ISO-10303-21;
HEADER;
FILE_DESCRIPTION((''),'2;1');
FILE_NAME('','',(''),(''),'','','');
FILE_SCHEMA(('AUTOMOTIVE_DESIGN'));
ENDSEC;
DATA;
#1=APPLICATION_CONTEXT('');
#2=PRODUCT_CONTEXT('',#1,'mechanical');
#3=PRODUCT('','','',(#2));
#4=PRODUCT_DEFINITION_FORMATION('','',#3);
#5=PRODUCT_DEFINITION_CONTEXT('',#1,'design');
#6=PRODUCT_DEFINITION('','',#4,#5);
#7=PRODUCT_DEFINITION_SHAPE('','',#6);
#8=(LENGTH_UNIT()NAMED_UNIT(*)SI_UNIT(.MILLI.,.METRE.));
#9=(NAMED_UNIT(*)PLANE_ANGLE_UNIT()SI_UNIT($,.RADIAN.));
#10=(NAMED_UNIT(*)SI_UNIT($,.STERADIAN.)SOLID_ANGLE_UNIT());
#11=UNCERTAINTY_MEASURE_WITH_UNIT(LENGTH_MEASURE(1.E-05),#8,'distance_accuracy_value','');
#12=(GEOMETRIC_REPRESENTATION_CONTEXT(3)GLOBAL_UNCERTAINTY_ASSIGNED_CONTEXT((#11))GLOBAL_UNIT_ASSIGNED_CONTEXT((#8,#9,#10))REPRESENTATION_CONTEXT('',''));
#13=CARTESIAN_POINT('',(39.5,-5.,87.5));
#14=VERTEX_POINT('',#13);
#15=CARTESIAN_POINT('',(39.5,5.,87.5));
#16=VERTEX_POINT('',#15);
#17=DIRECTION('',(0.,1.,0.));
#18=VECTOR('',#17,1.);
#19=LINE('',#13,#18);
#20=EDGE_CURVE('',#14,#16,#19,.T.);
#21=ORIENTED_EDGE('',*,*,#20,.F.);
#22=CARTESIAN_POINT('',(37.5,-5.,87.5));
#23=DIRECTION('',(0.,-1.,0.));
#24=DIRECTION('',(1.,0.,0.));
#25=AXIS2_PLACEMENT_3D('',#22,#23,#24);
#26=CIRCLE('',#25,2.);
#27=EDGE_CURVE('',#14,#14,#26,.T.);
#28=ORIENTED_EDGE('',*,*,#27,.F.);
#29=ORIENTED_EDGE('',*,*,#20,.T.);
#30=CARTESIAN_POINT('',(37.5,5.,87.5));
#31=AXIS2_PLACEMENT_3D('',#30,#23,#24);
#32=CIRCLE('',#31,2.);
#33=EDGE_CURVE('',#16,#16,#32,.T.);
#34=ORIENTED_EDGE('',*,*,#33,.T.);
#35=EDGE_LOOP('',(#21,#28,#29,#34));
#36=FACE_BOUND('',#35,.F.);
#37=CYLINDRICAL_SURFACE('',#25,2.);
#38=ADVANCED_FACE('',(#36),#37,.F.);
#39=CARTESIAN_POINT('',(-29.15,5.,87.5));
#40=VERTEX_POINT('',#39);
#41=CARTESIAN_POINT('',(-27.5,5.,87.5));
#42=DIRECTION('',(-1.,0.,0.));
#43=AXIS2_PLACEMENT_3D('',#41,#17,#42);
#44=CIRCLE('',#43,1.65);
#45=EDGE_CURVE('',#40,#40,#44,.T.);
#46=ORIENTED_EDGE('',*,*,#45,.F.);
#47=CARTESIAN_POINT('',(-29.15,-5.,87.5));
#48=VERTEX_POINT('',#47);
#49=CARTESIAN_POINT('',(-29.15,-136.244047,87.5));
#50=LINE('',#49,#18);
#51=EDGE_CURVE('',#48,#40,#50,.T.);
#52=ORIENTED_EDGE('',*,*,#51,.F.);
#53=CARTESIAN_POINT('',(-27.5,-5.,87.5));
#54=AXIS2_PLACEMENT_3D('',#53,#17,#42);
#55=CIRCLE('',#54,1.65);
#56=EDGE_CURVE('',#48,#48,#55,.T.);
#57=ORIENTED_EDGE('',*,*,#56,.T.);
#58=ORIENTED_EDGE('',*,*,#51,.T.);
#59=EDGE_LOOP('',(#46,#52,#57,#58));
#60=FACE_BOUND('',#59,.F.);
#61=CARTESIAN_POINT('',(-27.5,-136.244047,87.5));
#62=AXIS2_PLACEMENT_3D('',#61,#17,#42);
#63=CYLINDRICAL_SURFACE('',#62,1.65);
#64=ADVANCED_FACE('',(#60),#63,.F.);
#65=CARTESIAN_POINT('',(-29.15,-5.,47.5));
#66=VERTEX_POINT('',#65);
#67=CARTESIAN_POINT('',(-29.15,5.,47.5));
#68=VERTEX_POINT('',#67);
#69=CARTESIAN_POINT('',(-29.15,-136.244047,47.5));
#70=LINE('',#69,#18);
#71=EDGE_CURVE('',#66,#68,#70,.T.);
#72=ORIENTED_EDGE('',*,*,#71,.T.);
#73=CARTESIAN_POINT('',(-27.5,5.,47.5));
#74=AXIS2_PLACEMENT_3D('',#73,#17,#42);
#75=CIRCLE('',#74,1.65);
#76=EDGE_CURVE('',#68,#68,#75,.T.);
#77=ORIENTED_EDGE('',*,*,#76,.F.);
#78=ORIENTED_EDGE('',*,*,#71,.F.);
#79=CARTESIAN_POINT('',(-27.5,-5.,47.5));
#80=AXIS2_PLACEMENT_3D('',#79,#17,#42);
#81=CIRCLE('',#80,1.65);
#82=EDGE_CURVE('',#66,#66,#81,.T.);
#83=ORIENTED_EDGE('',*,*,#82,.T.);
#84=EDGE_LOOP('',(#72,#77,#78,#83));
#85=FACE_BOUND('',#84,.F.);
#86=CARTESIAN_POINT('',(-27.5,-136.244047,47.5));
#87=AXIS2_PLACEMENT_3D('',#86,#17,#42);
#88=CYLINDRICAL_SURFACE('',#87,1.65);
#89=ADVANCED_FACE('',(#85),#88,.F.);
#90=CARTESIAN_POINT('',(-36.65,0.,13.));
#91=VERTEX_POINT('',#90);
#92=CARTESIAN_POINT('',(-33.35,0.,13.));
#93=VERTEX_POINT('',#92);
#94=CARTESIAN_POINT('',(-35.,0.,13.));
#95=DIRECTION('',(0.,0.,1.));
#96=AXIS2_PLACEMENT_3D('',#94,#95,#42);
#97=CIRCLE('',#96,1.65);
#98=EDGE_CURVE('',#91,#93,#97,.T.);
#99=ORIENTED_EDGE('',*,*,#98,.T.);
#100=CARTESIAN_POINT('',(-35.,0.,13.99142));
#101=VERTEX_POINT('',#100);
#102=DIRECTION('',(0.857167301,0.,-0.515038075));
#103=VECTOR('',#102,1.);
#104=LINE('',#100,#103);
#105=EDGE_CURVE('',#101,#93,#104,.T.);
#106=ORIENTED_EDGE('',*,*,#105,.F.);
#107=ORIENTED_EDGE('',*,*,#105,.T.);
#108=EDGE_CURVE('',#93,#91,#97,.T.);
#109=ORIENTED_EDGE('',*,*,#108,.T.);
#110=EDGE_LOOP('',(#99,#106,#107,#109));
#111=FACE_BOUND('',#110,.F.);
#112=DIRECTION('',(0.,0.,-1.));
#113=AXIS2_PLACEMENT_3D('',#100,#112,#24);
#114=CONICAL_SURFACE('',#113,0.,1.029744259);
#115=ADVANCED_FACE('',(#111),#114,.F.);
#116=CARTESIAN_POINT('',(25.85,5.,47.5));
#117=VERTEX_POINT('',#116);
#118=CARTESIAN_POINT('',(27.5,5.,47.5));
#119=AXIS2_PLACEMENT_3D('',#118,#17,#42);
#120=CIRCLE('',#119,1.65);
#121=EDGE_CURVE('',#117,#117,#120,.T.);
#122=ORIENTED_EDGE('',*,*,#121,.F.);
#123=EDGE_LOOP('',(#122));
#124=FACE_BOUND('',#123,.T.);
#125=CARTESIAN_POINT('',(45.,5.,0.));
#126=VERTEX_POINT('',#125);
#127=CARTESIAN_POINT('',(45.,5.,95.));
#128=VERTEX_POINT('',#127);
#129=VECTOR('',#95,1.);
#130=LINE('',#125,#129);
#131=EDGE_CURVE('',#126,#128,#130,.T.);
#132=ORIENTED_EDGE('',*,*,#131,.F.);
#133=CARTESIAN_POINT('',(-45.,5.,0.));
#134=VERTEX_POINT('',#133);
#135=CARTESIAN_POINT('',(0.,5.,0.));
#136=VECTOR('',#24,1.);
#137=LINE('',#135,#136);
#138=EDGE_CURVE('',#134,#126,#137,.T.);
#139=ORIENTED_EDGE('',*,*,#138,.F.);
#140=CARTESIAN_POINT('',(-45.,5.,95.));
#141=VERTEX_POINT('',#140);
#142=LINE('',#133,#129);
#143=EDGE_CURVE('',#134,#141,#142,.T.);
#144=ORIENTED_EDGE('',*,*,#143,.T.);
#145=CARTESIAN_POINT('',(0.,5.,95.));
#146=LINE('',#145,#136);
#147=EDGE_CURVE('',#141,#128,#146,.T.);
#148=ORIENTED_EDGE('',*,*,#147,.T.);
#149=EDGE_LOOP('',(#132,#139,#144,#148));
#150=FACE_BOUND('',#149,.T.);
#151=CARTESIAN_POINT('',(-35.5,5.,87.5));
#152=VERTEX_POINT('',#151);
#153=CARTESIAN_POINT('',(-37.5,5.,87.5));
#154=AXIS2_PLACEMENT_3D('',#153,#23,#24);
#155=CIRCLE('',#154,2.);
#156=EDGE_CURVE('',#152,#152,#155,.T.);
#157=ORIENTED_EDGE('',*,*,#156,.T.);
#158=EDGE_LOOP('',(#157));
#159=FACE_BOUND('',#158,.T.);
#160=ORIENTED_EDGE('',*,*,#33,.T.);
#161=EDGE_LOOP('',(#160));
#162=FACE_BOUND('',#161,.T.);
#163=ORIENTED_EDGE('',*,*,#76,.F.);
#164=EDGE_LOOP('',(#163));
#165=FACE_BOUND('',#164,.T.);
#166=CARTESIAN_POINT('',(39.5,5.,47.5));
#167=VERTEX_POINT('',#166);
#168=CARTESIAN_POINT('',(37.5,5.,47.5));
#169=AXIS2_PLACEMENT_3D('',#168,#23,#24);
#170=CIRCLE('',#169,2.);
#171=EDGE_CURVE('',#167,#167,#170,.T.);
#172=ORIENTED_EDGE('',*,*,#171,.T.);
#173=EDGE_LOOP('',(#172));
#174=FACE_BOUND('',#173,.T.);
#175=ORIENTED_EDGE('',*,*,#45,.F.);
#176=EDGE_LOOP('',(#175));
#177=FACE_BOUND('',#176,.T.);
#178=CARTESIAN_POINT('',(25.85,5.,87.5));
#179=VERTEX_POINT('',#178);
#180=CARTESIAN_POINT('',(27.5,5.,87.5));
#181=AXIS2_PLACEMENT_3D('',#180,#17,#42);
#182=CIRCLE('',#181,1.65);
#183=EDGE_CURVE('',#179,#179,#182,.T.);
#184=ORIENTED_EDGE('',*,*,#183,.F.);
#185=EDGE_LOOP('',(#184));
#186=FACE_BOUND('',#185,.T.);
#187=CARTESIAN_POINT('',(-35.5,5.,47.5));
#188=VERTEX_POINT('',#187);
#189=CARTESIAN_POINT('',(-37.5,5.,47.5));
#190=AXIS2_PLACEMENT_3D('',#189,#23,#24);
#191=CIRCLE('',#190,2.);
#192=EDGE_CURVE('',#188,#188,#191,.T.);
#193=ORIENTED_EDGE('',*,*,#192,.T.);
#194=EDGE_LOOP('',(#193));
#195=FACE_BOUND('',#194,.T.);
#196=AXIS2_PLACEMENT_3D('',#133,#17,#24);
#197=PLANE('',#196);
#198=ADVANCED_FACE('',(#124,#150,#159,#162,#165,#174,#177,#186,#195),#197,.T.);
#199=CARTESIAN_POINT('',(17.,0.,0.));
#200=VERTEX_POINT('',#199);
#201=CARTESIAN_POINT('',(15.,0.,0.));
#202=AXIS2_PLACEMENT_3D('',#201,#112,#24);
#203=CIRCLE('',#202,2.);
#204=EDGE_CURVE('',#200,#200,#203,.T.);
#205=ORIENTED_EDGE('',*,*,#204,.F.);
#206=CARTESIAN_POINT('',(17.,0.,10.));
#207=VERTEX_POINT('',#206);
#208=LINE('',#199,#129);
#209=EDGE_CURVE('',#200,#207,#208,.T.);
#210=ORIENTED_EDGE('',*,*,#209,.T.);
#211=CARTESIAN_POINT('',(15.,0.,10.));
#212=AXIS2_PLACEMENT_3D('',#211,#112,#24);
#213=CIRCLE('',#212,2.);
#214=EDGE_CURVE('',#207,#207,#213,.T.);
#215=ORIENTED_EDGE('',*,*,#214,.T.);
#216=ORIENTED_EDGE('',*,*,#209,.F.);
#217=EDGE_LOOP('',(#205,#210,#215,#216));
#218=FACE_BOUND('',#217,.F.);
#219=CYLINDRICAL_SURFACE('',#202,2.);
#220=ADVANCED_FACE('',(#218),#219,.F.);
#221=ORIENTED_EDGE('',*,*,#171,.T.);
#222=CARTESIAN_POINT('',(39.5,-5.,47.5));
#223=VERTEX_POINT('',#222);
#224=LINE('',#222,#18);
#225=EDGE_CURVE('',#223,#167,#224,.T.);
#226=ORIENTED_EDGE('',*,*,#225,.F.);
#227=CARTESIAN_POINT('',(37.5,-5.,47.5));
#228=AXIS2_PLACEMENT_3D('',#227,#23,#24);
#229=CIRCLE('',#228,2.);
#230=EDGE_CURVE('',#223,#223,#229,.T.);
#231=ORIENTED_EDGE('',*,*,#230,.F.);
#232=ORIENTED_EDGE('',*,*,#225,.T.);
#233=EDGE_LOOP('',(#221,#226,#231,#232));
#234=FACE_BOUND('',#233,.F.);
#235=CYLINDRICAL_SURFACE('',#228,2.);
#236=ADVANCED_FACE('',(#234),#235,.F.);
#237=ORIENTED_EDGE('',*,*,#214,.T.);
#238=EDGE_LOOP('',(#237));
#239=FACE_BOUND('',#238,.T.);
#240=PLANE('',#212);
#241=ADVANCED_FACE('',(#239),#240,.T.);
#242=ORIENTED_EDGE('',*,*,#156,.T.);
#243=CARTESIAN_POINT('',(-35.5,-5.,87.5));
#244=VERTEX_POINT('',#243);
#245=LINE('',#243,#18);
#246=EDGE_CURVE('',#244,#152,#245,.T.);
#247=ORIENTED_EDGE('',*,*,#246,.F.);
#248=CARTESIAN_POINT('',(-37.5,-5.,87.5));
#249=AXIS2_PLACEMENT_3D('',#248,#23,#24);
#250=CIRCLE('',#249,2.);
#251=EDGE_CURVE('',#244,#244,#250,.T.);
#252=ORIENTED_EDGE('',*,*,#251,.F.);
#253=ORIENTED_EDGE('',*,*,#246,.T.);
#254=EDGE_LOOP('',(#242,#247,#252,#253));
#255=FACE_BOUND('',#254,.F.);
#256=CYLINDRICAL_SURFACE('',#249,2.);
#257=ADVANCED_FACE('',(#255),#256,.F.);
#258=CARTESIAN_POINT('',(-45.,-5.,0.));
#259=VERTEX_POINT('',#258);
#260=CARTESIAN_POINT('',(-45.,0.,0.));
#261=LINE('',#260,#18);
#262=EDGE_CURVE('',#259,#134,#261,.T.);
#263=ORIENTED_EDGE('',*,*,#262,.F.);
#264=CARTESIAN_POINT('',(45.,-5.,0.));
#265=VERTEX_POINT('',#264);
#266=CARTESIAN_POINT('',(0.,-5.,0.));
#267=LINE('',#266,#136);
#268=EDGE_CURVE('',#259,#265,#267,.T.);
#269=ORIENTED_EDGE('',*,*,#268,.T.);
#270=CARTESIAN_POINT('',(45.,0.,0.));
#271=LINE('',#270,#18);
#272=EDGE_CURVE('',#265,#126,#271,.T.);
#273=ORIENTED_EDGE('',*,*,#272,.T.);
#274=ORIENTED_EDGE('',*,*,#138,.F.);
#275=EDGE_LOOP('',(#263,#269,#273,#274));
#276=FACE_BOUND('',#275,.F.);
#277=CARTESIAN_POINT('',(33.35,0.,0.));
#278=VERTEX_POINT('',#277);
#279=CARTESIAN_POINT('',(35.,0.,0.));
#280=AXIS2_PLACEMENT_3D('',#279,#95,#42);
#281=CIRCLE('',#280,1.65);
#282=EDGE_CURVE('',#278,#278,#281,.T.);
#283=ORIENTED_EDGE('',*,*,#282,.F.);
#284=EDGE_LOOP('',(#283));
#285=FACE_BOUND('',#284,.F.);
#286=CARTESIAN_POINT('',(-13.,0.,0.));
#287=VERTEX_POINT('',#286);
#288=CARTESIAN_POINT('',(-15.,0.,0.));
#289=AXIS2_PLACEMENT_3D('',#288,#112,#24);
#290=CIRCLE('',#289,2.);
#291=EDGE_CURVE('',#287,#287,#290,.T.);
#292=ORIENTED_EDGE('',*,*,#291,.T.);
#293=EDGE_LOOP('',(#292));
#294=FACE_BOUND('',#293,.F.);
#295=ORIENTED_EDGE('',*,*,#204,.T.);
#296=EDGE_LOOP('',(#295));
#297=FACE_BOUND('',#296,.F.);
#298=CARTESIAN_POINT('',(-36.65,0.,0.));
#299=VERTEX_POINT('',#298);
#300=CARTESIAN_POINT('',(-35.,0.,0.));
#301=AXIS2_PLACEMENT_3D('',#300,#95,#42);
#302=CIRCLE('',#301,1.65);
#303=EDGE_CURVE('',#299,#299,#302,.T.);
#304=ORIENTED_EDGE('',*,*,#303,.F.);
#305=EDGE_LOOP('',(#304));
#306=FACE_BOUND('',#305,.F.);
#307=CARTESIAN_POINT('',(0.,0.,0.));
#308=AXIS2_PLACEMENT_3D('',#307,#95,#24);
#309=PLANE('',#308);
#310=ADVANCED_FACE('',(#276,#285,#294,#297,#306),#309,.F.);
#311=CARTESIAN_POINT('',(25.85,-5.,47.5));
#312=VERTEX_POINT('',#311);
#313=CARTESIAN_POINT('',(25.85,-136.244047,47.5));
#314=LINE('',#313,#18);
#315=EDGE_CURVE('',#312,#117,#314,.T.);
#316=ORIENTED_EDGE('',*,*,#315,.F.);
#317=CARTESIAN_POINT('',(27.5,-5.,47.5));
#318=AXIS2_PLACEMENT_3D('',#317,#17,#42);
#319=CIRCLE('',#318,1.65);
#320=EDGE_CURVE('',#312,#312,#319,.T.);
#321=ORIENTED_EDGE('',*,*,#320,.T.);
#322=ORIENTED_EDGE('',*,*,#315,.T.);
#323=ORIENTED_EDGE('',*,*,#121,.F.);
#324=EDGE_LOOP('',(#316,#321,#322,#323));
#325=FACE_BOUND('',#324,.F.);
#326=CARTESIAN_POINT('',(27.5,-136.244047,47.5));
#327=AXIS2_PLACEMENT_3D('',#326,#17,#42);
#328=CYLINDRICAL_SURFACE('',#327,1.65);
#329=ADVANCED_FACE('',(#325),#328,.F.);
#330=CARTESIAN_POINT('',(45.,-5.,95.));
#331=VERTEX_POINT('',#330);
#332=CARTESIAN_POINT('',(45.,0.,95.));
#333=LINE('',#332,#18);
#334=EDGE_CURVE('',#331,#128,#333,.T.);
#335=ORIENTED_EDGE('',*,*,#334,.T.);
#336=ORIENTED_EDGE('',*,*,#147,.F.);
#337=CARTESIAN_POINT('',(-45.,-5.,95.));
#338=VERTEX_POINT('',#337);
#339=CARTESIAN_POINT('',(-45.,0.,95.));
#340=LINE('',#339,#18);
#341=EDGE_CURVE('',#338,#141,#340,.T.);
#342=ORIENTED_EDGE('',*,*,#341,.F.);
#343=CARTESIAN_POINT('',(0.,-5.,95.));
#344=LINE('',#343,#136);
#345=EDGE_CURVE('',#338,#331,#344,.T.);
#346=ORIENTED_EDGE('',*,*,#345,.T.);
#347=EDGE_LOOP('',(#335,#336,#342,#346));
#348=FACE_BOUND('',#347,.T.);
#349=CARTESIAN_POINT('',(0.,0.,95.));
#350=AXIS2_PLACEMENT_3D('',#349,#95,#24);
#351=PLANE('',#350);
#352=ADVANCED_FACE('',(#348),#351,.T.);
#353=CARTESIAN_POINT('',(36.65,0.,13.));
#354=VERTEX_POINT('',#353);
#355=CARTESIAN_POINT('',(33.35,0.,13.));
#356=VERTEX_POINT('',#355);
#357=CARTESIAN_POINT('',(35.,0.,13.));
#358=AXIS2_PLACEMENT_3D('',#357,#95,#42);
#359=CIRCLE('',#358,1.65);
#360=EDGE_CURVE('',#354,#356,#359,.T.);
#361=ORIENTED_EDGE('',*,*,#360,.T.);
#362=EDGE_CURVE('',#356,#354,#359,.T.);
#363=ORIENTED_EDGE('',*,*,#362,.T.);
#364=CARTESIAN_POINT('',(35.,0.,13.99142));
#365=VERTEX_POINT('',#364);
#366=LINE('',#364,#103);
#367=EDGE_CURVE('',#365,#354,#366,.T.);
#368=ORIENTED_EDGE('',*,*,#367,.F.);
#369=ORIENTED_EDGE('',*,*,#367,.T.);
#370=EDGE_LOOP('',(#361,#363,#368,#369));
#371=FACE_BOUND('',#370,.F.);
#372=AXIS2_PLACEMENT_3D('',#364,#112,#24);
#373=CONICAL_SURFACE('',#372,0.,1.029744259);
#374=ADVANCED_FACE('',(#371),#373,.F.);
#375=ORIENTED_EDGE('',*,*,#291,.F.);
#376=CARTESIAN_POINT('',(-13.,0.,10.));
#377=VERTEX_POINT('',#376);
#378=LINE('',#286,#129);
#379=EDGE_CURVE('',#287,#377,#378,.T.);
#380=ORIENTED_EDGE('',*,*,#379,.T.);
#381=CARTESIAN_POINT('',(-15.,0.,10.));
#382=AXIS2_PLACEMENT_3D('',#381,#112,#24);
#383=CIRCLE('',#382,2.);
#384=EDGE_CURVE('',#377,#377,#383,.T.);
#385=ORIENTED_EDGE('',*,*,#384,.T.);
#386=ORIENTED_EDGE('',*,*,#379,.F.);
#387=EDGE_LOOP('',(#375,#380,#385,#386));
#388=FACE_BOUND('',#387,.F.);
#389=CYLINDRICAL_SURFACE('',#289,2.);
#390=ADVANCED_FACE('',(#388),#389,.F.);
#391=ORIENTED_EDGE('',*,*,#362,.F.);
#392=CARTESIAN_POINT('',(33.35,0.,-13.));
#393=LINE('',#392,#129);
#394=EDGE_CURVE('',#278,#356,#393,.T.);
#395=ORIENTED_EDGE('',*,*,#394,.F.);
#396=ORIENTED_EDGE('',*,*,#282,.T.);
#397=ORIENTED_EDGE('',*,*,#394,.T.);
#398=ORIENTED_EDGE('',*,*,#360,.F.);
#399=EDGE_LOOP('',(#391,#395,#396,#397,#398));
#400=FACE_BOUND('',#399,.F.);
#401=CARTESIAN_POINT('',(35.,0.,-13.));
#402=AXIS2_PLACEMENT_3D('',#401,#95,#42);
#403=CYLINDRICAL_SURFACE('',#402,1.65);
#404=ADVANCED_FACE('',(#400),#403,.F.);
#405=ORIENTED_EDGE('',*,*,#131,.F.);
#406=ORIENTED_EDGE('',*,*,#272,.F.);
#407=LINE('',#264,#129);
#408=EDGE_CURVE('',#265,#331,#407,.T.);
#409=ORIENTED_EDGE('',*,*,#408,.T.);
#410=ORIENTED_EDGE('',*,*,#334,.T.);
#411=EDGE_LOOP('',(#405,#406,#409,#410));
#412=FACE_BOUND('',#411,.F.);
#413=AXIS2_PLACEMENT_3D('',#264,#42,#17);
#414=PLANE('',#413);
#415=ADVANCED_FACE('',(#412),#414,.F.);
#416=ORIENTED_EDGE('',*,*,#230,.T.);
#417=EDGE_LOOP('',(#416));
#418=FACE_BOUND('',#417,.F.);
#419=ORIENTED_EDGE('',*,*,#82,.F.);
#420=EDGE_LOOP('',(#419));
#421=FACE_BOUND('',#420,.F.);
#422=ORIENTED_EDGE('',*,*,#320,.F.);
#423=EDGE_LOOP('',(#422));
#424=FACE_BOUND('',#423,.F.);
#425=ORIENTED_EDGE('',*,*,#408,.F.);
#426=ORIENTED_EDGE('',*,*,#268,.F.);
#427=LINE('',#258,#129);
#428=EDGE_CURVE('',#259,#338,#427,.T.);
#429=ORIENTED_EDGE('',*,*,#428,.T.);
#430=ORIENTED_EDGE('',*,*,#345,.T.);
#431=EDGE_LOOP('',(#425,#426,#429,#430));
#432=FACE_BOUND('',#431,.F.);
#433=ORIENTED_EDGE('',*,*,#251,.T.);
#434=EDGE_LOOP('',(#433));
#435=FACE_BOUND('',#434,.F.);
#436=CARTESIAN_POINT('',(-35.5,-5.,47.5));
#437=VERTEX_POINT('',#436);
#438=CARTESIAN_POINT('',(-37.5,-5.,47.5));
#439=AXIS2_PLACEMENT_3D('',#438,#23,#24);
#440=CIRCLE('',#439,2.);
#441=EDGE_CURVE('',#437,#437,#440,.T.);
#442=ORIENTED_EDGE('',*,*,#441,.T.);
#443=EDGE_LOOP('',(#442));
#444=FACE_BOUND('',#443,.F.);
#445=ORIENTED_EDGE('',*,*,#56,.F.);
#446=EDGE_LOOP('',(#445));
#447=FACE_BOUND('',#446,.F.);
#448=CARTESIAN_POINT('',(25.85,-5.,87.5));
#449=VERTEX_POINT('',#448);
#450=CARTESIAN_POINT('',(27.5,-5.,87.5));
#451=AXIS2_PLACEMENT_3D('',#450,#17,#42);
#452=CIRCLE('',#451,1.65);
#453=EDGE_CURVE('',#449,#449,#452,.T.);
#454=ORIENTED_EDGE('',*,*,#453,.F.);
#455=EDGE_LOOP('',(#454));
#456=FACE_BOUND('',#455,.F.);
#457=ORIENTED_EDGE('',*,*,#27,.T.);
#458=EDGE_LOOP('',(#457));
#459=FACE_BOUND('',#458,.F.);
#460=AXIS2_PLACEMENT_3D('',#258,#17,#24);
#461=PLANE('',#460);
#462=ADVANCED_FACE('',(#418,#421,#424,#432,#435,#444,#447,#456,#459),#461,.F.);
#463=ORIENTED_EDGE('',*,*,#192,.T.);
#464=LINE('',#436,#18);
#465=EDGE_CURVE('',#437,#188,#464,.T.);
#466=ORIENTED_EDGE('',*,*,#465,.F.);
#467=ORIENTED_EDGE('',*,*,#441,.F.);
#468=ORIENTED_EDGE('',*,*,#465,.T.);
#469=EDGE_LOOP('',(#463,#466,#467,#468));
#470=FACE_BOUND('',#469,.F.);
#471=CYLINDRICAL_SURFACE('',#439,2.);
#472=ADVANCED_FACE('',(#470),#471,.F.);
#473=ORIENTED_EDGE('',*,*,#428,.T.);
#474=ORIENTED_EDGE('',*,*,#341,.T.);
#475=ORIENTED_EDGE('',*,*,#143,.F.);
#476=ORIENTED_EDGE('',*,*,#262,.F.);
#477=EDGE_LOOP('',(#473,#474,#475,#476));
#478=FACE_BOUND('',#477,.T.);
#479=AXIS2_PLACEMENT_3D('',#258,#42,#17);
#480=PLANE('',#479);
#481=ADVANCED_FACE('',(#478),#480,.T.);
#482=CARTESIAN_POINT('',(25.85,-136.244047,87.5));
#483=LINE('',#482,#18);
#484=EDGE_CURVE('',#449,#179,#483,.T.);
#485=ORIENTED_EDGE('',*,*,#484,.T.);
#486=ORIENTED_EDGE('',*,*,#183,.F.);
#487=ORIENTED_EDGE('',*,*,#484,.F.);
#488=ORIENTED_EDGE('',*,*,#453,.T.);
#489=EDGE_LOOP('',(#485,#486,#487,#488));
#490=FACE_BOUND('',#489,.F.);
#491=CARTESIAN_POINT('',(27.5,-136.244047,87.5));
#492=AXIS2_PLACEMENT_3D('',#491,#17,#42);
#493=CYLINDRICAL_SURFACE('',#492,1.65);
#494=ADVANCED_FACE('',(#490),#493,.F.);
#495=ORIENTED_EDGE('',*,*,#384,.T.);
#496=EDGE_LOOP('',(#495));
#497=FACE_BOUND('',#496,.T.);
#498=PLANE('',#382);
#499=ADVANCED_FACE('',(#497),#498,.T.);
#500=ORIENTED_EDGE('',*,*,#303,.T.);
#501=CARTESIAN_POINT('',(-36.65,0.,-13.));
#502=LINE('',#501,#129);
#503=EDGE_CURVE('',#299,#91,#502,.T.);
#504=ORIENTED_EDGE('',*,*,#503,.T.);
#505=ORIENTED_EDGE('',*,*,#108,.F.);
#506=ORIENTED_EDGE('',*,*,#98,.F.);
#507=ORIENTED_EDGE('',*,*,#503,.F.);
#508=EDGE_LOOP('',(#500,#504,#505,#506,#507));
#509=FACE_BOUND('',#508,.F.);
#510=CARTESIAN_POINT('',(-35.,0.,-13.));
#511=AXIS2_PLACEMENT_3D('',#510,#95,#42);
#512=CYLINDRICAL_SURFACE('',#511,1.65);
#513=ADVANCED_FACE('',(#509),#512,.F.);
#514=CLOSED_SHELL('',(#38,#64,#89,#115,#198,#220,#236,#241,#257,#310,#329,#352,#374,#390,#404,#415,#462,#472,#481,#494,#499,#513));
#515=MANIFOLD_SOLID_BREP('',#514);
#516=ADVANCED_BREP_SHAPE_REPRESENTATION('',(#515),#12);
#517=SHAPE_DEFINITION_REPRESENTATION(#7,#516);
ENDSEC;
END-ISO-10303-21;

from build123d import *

# Parameters (mm, degrees)
F0_W     = 90
F0_H     = 10
F1_DEPTH = 95
F2_R     = 2
F3_DEPTH = 10
F4_D     = 3.3
F4_DEPTH = 13
F4_TIP   = 0.9914200214
F5_R     = 2
F6_DEPTH = 10.001
F7_D     = 3.3


with BuildPart() as f1:
    # F0 (on Top) → F1 (new body)
    with BuildSketch(Plane.XY):
        Rectangle(F0_W, F0_H)
    extrude(amount=F1_DEPTH)

    # F2 (on face) → F3 (cut)
    with BuildSketch(Plane(origin=(0, 0, 0), x_dir=(1, 0, 0), z_dir=(0, 0, -1))):
        with Locations((-15, 0)):
            Circle(F2_R)
        with Locations((15, 0)):
            Circle(F2_R)
    extrude(amount=-F3_DEPTH, mode=Mode.SUBTRACT)

    # F4
    with Locations(Plane(origin=(0, 0, 0), x_dir=(1, 0, 0), z_dir=(0, 0, -1))):
        with Locations((-35, 0), (35, 0)):
            Hole(F4_D / 2, depth=F4_DEPTH)
            with Locations((0, 0, -(F4_DEPTH + F4_TIP / 2))):  # 118° drill point
                Cone(0, F4_D / 2, F4_TIP, mode=Mode.SUBTRACT)

    # F5 (on face) → F6 (cut, through all)
    with BuildSketch(Plane.XZ.offset(5)):
        with Locations((-37.5, 47.5)):
            Circle(F5_R)
        with Locations((-37.5, 87.5)):
            Circle(F5_R)
        with Locations((37.5, 87.5)):
            Circle(F5_R)
        with Locations((37.5, 47.5)):
            Circle(F5_R)
    extrude(amount=-F6_DEPTH, mode=Mode.SUBTRACT)

    # F7 (through all)
    with Locations(Plane.XZ.offset(5)):
        with Locations((-27.5, 47.5), (-27.5, 87.5), (27.5, 87.5), (27.5, 47.5)):
            Hole(F7_D / 2)


solid = f1.part
